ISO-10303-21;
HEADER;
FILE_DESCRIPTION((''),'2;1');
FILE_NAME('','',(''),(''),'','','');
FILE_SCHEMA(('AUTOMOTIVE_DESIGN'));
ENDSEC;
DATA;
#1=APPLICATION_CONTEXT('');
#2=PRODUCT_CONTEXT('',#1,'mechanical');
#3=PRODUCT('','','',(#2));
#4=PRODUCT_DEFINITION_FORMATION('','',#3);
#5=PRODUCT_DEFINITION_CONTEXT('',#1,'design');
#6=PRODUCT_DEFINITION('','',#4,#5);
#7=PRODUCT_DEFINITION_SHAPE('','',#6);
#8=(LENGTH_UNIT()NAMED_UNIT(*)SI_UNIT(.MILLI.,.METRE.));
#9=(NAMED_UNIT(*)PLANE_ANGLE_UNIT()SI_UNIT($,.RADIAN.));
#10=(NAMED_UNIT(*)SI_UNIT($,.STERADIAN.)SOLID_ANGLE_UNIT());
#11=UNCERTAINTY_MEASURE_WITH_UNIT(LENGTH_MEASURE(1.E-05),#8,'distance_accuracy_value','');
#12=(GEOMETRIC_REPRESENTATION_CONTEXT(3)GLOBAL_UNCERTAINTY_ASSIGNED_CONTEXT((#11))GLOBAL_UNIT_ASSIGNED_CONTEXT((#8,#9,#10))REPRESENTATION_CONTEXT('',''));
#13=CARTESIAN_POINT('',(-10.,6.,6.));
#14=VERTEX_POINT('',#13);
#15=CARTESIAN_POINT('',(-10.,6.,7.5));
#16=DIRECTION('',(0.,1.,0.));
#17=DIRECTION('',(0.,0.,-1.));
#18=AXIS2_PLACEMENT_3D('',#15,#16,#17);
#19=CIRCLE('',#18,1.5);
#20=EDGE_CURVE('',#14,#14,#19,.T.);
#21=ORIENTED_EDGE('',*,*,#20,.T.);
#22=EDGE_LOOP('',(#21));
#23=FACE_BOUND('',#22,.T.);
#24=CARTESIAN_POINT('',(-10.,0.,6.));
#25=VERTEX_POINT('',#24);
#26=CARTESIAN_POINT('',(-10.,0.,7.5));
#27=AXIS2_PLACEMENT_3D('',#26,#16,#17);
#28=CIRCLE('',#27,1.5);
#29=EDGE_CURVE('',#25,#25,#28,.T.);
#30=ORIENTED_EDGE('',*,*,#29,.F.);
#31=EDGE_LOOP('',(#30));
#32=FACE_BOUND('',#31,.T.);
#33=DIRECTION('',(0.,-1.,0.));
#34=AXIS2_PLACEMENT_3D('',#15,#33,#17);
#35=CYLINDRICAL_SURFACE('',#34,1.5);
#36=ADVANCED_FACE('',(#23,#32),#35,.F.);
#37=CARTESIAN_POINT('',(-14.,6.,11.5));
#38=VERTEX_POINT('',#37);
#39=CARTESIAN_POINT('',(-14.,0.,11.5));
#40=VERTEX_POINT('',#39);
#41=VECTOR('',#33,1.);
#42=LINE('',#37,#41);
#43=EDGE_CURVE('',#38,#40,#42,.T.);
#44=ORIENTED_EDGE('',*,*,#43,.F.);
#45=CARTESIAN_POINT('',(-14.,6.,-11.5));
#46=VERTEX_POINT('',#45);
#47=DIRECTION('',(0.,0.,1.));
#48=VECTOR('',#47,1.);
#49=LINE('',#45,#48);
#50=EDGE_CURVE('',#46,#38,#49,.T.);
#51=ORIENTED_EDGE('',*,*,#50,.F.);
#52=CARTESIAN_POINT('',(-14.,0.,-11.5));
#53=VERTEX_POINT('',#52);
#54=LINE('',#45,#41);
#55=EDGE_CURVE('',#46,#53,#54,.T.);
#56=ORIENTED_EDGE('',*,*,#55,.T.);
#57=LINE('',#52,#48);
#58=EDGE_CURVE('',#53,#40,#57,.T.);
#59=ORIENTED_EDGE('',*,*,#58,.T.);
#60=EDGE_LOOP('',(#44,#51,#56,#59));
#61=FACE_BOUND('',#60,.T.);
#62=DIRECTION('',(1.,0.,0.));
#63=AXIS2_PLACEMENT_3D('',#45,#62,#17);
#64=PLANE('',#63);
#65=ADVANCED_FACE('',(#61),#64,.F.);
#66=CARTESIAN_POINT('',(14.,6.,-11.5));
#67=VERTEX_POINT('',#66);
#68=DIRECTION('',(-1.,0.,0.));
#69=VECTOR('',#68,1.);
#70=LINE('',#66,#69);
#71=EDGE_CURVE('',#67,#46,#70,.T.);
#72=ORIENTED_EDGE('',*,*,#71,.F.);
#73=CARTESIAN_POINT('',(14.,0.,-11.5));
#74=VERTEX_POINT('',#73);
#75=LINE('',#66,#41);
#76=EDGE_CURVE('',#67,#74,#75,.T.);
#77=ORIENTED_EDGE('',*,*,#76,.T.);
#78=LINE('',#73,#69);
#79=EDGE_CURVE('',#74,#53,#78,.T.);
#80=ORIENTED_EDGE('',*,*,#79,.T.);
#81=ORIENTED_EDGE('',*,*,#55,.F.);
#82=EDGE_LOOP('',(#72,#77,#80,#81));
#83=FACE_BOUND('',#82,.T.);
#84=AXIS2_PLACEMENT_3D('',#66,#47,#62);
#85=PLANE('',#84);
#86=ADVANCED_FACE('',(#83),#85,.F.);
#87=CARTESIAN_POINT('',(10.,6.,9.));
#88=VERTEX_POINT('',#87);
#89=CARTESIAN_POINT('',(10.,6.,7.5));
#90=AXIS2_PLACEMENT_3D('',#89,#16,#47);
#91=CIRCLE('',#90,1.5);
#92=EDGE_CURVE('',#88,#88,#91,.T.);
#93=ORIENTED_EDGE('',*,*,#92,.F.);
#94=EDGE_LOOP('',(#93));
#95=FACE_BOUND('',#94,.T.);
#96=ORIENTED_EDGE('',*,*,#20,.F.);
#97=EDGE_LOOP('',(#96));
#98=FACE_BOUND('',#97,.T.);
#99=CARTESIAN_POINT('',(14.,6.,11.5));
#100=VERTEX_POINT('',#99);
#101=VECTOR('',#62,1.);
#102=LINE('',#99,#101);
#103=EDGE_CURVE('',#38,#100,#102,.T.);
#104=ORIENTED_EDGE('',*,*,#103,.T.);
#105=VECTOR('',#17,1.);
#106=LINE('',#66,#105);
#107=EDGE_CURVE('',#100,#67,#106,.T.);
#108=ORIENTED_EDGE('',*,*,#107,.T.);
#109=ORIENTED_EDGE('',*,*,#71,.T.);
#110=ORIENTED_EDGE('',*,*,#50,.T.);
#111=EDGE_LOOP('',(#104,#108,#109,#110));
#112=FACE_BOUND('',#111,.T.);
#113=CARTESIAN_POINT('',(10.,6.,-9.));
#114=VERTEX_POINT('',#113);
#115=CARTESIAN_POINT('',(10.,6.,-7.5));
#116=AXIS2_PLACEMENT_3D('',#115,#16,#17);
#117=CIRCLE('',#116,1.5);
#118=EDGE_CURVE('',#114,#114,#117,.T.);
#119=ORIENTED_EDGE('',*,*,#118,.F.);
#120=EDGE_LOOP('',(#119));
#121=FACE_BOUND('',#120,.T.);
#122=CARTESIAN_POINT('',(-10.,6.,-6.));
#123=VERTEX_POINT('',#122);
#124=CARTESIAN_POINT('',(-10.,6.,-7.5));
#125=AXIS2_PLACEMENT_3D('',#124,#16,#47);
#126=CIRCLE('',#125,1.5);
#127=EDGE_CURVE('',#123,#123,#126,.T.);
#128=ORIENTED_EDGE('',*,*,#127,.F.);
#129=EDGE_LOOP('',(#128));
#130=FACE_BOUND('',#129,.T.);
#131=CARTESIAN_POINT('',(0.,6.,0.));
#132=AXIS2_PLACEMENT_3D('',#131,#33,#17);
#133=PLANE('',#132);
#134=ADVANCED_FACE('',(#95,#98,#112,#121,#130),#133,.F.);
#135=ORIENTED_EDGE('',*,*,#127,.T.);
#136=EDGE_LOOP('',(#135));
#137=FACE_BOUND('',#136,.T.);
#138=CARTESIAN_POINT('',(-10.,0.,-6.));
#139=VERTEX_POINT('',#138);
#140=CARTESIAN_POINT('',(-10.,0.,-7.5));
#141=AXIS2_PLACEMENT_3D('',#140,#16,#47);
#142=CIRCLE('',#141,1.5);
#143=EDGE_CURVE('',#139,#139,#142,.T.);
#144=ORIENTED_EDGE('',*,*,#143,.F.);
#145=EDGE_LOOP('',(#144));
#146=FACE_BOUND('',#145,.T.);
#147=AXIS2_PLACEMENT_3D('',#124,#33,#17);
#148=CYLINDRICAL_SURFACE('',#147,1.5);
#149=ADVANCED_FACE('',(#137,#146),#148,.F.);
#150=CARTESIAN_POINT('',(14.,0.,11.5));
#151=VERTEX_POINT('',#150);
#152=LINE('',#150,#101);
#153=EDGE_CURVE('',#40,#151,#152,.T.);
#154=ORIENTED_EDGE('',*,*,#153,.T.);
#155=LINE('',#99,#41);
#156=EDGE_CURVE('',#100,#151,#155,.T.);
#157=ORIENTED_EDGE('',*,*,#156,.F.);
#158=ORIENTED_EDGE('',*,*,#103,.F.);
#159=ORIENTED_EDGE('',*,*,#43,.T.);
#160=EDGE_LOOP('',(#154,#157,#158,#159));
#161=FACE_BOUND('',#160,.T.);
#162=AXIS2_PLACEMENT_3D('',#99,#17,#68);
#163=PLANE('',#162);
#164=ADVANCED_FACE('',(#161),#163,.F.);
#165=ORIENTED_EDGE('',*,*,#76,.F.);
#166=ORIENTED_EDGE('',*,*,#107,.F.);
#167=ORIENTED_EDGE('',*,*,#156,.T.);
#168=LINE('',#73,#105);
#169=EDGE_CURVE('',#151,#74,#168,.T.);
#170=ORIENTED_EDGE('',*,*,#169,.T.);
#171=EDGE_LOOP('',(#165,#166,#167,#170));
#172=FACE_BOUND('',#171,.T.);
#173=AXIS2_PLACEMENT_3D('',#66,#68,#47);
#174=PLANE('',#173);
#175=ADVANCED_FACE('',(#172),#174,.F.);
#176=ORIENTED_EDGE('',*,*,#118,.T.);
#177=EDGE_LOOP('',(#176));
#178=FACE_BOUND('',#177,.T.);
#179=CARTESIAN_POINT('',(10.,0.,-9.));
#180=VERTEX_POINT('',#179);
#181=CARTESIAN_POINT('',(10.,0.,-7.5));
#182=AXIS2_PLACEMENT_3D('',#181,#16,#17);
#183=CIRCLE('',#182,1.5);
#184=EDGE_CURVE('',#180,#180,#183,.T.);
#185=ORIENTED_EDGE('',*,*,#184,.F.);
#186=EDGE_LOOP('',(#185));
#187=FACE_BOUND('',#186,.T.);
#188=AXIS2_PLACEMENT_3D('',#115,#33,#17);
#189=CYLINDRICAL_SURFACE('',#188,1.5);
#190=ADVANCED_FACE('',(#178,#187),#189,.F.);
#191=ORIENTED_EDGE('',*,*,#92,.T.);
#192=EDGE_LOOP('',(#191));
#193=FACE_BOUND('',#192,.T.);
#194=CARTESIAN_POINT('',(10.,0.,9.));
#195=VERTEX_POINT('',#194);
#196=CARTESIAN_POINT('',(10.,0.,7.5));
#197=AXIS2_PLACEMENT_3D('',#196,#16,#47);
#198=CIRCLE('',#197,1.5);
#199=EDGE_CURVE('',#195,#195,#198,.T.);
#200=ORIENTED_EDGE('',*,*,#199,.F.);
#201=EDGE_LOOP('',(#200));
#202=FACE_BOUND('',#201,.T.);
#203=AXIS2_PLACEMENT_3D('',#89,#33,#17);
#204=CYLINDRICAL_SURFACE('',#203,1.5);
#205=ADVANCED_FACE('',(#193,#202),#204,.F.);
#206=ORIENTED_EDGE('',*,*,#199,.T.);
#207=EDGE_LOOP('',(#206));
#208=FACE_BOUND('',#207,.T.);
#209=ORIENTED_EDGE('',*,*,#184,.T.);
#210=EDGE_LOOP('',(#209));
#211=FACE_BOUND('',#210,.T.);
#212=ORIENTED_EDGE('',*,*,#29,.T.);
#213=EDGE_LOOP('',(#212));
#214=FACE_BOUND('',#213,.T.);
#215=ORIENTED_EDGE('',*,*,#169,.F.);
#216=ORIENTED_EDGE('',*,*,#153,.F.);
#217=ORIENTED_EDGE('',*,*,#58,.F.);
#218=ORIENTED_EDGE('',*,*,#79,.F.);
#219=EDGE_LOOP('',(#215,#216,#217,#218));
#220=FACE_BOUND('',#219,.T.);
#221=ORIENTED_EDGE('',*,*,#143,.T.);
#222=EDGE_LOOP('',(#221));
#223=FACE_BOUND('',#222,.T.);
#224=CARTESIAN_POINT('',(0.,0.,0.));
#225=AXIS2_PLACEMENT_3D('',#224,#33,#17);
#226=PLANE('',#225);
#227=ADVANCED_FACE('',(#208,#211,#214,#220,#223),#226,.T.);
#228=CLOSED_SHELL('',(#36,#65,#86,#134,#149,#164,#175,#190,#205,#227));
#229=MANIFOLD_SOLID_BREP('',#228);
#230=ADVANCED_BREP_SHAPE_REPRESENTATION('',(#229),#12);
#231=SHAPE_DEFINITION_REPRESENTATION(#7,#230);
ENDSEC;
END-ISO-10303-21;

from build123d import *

# Parameters (mm, degrees)
SKETCH_1_W      = 28
SKETCH_1_H      = 23
SKETCH_1_R      = 1.5
EXTRUDE_1_DEPTH = 6


with BuildPart() as part:
    # 草图1 → 凸台-拉伸1 (new body)
    with BuildSketch(Plane(origin=(0, 0, 0), x_dir=(1, 0, 0), z_dir=(0, 1, 0))):
        Rectangle(SKETCH_1_W, SKETCH_1_H)
        with Locations((-10, 7.5)):
            Circle(SKETCH_1_R, mode=Mode.SUBTRACT)
        with Locations((10, 7.5)):
            Circle(SKETCH_1_R, mode=Mode.SUBTRACT)
        with Locations((10, -7.5)):
            Circle(SKETCH_1_R, mode=Mode.SUBTRACT)
        with Locations((-10, -7.5)):
            Circle(SKETCH_1_R, mode=Mode.SUBTRACT)
    extrude(amount=EXTRUDE_1_DEPTH)


solid = part.part
